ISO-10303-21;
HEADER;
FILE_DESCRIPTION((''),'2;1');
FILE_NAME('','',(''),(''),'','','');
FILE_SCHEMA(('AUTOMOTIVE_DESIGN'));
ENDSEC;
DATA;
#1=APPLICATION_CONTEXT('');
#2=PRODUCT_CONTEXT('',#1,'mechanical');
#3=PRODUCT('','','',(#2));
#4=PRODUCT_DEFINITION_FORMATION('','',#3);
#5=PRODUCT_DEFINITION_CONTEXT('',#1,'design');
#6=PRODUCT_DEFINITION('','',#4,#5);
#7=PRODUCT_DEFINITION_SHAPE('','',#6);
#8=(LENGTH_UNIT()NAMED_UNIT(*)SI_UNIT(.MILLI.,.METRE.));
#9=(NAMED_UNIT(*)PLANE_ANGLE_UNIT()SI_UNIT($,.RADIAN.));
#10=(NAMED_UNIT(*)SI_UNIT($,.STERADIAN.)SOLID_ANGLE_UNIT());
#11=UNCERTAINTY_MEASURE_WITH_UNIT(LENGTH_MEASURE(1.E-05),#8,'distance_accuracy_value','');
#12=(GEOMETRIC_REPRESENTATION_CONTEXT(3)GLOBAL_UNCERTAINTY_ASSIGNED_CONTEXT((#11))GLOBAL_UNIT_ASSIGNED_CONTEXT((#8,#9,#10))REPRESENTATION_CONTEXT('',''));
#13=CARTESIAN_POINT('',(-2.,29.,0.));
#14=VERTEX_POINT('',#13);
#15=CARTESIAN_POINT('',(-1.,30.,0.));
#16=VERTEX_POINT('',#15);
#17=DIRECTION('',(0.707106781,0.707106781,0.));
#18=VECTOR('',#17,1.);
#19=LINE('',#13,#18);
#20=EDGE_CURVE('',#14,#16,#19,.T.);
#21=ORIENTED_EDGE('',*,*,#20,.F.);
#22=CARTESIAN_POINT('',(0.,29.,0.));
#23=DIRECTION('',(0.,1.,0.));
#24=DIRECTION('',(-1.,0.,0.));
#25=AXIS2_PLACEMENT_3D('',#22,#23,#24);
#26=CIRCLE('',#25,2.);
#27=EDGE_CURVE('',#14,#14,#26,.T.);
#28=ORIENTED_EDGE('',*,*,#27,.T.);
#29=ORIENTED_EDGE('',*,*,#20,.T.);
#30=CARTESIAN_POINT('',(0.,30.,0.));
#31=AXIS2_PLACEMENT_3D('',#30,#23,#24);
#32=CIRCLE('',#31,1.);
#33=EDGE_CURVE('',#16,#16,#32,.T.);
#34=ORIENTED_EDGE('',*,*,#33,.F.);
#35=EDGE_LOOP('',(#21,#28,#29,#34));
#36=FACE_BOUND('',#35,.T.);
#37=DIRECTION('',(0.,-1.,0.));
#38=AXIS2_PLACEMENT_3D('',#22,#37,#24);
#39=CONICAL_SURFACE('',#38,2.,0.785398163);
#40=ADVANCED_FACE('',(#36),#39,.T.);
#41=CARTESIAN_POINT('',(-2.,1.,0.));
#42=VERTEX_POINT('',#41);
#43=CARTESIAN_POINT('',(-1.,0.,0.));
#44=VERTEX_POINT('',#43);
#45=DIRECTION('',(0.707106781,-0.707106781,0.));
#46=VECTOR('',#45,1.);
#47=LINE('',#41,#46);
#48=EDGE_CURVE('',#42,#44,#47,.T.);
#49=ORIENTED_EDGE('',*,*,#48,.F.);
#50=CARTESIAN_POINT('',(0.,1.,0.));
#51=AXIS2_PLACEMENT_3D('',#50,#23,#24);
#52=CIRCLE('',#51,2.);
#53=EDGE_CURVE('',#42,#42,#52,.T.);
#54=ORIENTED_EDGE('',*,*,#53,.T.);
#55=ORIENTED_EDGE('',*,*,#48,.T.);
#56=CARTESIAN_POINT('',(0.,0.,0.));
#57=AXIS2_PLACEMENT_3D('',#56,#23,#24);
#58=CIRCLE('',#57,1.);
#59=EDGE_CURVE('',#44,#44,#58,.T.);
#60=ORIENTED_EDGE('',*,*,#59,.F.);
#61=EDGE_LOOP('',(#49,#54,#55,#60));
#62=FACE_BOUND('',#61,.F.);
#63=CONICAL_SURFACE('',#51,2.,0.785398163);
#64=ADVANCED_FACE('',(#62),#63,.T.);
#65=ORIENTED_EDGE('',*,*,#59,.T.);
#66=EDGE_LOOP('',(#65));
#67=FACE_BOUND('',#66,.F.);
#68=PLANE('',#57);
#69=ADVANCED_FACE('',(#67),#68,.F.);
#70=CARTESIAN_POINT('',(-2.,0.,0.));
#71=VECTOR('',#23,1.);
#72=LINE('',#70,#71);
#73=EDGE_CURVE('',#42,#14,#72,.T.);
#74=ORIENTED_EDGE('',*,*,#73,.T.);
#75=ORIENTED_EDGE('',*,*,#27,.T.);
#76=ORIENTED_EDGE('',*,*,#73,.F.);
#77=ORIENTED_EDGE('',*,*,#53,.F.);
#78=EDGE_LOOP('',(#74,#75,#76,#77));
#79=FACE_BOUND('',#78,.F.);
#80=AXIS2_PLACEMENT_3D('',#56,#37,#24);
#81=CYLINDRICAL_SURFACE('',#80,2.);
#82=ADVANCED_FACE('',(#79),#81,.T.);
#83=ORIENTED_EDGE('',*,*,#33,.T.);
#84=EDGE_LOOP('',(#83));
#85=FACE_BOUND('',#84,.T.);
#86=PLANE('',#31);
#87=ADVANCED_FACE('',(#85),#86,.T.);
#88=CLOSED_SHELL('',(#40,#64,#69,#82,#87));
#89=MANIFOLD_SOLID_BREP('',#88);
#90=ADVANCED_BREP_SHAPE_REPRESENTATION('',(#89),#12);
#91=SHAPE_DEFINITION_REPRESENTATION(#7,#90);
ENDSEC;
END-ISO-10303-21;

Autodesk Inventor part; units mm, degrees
ref_plane "YZ Plane" through (0, 0, 0) normal (1, 0, 0) x (0, 1, 0)
ref_plane "XZ Plane" through (0, 0, 0) normal (0, 1, 0) x (-1, 0, 0)
ref_plane "XY Plane" through (0, 0, 0) normal (0, 0, 1) x (1, 0, 0)
sketch "Sketch1" plane through (0, 0, 0) normal (0, 1, 0) x (-1, 0, 0)
  circle A0 centre (0, 0) radius 2
  dimension "d0" = 4
extrude "Extrusion1" add sketch "Sketch1" along normal blind 30
chamfer "Chamfer1" distance 1 angle 45 1 edges at (2, 0, 0)
chamfer "Chamfer2" distance 1 angle 45 1 edges at (2, 30, 0)
properties part number "thread"
